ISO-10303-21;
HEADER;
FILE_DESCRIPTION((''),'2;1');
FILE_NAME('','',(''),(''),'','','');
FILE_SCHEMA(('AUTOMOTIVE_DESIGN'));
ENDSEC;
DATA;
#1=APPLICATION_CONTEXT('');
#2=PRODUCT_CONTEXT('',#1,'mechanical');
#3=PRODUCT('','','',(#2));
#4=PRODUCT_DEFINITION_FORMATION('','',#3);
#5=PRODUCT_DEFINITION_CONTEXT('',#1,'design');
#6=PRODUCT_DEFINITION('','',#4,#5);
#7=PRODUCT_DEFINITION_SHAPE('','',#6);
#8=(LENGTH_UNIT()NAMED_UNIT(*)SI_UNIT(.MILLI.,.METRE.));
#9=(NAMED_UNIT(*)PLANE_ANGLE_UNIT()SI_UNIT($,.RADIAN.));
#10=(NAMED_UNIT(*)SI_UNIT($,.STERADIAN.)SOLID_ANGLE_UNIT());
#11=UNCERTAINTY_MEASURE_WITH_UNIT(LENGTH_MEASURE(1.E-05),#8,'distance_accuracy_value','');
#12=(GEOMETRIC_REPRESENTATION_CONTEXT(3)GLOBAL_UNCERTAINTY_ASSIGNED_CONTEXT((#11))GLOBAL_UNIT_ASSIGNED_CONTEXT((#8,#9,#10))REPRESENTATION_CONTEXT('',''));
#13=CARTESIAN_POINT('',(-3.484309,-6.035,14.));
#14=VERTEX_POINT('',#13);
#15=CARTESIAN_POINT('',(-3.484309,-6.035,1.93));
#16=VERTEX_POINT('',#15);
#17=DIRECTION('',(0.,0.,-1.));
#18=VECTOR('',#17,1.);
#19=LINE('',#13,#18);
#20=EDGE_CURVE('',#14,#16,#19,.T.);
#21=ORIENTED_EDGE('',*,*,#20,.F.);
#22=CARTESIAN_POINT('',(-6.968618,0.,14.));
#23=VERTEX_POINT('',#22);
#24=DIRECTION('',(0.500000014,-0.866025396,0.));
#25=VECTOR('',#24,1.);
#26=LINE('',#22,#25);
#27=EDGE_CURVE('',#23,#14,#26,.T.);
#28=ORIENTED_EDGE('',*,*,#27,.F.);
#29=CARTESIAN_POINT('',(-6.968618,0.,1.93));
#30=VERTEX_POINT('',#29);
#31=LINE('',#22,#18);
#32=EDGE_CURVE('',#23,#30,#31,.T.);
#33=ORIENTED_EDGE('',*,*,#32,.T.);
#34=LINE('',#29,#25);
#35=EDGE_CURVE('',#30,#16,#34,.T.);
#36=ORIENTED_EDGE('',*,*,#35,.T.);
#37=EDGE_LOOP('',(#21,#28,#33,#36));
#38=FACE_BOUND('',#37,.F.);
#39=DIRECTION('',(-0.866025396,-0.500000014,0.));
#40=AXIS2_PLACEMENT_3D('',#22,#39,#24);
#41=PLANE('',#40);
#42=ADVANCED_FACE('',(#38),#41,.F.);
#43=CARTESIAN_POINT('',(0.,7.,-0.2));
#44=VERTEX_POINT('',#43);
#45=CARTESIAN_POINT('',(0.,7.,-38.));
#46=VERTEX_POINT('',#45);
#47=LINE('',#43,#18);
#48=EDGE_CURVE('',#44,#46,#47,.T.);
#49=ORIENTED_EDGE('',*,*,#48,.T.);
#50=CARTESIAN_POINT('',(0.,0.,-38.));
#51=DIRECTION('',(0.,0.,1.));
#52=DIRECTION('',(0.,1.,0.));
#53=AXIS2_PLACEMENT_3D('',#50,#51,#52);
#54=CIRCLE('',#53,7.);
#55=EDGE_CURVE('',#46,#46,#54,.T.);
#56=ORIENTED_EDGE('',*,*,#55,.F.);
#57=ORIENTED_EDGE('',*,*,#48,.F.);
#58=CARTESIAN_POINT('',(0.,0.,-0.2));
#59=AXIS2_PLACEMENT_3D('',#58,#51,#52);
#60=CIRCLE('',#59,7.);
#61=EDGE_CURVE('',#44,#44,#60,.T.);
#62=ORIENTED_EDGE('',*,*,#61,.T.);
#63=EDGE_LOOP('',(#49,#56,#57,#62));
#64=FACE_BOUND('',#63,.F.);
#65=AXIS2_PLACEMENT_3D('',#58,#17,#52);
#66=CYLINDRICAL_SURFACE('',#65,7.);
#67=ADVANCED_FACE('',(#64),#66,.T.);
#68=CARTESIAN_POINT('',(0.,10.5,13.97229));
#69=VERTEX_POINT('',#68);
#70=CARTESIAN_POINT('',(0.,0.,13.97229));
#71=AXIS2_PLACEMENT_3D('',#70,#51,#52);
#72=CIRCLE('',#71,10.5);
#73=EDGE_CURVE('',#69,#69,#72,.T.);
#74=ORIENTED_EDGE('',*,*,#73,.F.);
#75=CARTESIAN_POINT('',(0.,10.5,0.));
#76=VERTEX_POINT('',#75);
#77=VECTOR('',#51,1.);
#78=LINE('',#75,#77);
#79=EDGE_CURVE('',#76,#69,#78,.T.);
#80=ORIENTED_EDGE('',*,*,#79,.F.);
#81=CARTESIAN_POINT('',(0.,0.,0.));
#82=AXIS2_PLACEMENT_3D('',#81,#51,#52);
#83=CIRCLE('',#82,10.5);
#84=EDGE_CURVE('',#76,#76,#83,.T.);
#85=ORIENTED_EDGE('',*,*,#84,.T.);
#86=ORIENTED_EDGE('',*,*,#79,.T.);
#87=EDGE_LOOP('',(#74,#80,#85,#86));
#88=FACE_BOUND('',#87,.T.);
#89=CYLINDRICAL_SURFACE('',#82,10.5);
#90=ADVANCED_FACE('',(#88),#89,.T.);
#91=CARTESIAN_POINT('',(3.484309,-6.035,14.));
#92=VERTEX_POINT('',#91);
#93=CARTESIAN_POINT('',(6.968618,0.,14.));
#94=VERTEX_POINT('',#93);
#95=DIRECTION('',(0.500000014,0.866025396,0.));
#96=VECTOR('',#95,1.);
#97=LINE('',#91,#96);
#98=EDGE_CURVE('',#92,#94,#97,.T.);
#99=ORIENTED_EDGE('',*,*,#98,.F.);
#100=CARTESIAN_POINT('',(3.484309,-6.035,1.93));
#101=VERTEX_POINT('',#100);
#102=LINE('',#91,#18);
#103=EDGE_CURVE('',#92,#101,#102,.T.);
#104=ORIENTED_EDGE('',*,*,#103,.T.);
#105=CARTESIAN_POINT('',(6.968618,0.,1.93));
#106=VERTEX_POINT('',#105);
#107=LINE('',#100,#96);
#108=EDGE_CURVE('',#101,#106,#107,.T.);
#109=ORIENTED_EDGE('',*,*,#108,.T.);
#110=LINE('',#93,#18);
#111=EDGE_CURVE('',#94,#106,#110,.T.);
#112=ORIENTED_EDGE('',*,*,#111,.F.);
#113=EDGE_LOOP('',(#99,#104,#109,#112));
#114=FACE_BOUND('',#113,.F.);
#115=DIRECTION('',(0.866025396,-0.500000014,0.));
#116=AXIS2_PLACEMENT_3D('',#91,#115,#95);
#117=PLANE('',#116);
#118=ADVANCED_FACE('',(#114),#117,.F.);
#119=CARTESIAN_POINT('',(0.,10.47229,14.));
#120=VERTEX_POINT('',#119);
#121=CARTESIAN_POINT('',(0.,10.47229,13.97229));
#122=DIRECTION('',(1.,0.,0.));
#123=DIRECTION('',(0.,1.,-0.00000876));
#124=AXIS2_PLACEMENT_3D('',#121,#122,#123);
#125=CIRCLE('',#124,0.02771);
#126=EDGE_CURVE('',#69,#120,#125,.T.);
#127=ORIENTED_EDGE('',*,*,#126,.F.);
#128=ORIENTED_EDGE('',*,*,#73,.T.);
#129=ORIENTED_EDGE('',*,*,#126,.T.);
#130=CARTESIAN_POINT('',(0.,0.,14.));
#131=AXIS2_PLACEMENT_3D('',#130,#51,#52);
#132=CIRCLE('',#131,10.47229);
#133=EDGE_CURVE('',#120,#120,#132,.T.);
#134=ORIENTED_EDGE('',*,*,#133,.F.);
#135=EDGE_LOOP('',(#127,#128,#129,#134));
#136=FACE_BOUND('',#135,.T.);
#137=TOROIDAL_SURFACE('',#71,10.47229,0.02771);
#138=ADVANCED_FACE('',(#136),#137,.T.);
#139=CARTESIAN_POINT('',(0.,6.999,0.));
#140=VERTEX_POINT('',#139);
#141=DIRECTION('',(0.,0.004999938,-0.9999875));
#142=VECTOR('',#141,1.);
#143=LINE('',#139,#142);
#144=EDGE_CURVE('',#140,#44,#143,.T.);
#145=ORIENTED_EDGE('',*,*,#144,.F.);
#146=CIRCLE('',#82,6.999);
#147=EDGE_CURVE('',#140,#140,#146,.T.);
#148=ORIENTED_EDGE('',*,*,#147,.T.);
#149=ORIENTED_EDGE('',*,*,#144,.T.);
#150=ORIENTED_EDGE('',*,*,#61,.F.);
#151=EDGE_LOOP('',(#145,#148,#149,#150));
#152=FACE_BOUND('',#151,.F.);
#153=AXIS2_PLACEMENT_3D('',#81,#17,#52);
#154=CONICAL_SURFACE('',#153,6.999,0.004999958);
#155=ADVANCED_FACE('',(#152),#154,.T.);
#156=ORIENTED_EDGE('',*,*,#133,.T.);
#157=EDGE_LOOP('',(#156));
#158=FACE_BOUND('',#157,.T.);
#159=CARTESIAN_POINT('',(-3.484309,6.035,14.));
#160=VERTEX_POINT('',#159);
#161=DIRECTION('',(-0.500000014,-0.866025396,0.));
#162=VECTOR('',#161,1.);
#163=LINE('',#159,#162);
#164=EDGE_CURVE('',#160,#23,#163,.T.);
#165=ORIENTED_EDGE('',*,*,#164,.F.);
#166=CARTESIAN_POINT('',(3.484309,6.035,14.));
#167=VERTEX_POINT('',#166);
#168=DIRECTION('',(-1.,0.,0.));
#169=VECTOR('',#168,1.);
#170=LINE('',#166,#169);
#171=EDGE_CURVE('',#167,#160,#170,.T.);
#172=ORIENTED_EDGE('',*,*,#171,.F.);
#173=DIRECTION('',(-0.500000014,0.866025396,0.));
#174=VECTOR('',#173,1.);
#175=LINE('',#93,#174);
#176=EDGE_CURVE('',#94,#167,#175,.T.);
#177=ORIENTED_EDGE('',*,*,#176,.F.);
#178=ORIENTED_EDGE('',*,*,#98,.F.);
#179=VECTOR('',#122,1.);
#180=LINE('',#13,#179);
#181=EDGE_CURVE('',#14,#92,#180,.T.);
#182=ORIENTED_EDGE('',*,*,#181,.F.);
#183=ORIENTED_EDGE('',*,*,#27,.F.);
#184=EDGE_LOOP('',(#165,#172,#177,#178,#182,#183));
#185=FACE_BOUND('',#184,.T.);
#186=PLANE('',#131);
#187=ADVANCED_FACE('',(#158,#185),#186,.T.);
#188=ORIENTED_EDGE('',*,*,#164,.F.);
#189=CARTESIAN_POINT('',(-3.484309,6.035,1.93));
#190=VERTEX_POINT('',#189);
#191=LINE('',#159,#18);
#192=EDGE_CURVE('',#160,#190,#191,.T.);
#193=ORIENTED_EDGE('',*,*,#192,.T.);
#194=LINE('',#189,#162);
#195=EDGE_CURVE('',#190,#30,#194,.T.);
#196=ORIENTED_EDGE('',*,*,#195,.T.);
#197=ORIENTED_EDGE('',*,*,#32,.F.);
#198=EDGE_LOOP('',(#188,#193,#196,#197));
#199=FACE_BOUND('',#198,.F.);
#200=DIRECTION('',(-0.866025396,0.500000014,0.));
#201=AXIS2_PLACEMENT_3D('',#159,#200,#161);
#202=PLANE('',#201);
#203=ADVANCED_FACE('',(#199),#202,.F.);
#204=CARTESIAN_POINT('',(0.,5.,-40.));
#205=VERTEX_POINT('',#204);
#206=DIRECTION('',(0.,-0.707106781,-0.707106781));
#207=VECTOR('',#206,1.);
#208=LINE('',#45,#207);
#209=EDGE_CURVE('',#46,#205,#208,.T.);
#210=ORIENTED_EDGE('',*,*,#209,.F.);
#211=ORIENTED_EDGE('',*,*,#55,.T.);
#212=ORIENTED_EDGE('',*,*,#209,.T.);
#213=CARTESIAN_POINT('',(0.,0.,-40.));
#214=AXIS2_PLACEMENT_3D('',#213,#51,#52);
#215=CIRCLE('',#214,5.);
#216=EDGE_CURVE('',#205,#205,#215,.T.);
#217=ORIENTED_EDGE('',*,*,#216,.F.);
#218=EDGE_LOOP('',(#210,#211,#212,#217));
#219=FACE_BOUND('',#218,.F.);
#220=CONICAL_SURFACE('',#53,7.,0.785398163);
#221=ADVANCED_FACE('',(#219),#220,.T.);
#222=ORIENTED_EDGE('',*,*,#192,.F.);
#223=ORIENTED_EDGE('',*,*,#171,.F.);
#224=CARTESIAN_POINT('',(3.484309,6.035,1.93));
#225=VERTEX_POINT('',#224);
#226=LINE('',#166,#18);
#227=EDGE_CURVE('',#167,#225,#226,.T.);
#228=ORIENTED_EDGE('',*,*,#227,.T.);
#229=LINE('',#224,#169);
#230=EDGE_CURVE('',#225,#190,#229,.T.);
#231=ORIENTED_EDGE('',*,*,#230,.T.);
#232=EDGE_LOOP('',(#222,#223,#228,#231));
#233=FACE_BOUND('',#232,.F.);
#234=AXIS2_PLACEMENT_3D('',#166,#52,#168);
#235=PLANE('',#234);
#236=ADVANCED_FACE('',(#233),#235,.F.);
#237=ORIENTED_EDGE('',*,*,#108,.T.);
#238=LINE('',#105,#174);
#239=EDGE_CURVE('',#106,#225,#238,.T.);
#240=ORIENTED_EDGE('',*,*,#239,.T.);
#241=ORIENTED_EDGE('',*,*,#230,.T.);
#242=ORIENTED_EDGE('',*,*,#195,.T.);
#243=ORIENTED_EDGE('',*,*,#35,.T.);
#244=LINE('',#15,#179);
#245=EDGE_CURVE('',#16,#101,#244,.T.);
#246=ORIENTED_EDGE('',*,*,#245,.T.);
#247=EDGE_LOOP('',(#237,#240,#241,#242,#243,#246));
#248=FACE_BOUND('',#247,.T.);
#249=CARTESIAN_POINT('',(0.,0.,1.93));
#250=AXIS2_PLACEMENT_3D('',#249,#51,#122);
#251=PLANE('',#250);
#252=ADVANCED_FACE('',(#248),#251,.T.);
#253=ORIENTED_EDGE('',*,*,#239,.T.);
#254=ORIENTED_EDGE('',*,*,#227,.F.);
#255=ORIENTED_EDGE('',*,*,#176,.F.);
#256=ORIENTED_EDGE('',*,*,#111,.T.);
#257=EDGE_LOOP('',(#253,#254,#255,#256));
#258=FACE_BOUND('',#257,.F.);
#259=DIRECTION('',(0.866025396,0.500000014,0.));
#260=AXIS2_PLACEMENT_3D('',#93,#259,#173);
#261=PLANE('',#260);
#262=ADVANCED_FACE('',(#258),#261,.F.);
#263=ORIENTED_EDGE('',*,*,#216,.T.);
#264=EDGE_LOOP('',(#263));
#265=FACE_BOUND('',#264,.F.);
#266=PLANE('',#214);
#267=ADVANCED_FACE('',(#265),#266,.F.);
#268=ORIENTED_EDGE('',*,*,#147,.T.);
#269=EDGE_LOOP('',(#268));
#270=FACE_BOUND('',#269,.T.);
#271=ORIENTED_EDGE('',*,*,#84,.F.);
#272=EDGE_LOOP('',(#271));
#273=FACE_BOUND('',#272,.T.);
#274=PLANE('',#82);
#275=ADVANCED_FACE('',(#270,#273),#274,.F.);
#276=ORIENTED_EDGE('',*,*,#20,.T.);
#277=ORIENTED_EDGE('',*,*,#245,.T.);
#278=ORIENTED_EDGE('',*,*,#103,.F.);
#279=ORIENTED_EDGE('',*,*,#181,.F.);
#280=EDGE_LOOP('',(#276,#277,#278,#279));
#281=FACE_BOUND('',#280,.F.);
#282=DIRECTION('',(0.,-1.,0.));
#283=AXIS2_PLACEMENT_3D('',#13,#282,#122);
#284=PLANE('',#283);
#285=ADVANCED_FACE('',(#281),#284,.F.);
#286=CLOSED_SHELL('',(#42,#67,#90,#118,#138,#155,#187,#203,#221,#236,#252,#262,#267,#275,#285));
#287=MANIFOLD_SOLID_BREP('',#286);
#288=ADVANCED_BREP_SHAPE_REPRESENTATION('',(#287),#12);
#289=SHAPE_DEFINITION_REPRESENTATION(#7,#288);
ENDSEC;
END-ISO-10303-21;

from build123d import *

# Parameters (mm, degrees)
POCKET_DEPTH = 12.07


with BuildPart() as part:
    # Sketch → Revolve (revolve)
    with BuildSketch(Plane.YZ):
        with BuildLine():
            Line((6.999, 0), (10.5, 0))
            Line((10.5, 0), (10.5, 13.97229))
            ThreePointArc((10.5, 13.97229), (10.491884, 13.991884), (10.47229, 14))
            Line((10.47229, 14), (0, 14))
            Line((0, -40), (0, 14))
            Line((5, -40), (0, -40))
            Line((7, -38), (5, -40))
            Line((7, -0.2), (7, -38))
            Line((6.999, 0), (7, -0.2))
        make_face()
    revolve(axis=Axis((0, 0, 0), (0, 0, 1)))

    # Sketch001 → Pocket (cut)
    with BuildSketch(Plane.XY.offset(14)):
        Polygon((6.968618, 0), (3.484309, 6.035), (-3.484309, 6.035), (-6.968618, 0), (-3.484309, -6.035), (3.484309, -6.035), align=None)
    extrude(amount=-POCKET_DEPTH, mode=Mode.SUBTRACT)


solid = part.part
